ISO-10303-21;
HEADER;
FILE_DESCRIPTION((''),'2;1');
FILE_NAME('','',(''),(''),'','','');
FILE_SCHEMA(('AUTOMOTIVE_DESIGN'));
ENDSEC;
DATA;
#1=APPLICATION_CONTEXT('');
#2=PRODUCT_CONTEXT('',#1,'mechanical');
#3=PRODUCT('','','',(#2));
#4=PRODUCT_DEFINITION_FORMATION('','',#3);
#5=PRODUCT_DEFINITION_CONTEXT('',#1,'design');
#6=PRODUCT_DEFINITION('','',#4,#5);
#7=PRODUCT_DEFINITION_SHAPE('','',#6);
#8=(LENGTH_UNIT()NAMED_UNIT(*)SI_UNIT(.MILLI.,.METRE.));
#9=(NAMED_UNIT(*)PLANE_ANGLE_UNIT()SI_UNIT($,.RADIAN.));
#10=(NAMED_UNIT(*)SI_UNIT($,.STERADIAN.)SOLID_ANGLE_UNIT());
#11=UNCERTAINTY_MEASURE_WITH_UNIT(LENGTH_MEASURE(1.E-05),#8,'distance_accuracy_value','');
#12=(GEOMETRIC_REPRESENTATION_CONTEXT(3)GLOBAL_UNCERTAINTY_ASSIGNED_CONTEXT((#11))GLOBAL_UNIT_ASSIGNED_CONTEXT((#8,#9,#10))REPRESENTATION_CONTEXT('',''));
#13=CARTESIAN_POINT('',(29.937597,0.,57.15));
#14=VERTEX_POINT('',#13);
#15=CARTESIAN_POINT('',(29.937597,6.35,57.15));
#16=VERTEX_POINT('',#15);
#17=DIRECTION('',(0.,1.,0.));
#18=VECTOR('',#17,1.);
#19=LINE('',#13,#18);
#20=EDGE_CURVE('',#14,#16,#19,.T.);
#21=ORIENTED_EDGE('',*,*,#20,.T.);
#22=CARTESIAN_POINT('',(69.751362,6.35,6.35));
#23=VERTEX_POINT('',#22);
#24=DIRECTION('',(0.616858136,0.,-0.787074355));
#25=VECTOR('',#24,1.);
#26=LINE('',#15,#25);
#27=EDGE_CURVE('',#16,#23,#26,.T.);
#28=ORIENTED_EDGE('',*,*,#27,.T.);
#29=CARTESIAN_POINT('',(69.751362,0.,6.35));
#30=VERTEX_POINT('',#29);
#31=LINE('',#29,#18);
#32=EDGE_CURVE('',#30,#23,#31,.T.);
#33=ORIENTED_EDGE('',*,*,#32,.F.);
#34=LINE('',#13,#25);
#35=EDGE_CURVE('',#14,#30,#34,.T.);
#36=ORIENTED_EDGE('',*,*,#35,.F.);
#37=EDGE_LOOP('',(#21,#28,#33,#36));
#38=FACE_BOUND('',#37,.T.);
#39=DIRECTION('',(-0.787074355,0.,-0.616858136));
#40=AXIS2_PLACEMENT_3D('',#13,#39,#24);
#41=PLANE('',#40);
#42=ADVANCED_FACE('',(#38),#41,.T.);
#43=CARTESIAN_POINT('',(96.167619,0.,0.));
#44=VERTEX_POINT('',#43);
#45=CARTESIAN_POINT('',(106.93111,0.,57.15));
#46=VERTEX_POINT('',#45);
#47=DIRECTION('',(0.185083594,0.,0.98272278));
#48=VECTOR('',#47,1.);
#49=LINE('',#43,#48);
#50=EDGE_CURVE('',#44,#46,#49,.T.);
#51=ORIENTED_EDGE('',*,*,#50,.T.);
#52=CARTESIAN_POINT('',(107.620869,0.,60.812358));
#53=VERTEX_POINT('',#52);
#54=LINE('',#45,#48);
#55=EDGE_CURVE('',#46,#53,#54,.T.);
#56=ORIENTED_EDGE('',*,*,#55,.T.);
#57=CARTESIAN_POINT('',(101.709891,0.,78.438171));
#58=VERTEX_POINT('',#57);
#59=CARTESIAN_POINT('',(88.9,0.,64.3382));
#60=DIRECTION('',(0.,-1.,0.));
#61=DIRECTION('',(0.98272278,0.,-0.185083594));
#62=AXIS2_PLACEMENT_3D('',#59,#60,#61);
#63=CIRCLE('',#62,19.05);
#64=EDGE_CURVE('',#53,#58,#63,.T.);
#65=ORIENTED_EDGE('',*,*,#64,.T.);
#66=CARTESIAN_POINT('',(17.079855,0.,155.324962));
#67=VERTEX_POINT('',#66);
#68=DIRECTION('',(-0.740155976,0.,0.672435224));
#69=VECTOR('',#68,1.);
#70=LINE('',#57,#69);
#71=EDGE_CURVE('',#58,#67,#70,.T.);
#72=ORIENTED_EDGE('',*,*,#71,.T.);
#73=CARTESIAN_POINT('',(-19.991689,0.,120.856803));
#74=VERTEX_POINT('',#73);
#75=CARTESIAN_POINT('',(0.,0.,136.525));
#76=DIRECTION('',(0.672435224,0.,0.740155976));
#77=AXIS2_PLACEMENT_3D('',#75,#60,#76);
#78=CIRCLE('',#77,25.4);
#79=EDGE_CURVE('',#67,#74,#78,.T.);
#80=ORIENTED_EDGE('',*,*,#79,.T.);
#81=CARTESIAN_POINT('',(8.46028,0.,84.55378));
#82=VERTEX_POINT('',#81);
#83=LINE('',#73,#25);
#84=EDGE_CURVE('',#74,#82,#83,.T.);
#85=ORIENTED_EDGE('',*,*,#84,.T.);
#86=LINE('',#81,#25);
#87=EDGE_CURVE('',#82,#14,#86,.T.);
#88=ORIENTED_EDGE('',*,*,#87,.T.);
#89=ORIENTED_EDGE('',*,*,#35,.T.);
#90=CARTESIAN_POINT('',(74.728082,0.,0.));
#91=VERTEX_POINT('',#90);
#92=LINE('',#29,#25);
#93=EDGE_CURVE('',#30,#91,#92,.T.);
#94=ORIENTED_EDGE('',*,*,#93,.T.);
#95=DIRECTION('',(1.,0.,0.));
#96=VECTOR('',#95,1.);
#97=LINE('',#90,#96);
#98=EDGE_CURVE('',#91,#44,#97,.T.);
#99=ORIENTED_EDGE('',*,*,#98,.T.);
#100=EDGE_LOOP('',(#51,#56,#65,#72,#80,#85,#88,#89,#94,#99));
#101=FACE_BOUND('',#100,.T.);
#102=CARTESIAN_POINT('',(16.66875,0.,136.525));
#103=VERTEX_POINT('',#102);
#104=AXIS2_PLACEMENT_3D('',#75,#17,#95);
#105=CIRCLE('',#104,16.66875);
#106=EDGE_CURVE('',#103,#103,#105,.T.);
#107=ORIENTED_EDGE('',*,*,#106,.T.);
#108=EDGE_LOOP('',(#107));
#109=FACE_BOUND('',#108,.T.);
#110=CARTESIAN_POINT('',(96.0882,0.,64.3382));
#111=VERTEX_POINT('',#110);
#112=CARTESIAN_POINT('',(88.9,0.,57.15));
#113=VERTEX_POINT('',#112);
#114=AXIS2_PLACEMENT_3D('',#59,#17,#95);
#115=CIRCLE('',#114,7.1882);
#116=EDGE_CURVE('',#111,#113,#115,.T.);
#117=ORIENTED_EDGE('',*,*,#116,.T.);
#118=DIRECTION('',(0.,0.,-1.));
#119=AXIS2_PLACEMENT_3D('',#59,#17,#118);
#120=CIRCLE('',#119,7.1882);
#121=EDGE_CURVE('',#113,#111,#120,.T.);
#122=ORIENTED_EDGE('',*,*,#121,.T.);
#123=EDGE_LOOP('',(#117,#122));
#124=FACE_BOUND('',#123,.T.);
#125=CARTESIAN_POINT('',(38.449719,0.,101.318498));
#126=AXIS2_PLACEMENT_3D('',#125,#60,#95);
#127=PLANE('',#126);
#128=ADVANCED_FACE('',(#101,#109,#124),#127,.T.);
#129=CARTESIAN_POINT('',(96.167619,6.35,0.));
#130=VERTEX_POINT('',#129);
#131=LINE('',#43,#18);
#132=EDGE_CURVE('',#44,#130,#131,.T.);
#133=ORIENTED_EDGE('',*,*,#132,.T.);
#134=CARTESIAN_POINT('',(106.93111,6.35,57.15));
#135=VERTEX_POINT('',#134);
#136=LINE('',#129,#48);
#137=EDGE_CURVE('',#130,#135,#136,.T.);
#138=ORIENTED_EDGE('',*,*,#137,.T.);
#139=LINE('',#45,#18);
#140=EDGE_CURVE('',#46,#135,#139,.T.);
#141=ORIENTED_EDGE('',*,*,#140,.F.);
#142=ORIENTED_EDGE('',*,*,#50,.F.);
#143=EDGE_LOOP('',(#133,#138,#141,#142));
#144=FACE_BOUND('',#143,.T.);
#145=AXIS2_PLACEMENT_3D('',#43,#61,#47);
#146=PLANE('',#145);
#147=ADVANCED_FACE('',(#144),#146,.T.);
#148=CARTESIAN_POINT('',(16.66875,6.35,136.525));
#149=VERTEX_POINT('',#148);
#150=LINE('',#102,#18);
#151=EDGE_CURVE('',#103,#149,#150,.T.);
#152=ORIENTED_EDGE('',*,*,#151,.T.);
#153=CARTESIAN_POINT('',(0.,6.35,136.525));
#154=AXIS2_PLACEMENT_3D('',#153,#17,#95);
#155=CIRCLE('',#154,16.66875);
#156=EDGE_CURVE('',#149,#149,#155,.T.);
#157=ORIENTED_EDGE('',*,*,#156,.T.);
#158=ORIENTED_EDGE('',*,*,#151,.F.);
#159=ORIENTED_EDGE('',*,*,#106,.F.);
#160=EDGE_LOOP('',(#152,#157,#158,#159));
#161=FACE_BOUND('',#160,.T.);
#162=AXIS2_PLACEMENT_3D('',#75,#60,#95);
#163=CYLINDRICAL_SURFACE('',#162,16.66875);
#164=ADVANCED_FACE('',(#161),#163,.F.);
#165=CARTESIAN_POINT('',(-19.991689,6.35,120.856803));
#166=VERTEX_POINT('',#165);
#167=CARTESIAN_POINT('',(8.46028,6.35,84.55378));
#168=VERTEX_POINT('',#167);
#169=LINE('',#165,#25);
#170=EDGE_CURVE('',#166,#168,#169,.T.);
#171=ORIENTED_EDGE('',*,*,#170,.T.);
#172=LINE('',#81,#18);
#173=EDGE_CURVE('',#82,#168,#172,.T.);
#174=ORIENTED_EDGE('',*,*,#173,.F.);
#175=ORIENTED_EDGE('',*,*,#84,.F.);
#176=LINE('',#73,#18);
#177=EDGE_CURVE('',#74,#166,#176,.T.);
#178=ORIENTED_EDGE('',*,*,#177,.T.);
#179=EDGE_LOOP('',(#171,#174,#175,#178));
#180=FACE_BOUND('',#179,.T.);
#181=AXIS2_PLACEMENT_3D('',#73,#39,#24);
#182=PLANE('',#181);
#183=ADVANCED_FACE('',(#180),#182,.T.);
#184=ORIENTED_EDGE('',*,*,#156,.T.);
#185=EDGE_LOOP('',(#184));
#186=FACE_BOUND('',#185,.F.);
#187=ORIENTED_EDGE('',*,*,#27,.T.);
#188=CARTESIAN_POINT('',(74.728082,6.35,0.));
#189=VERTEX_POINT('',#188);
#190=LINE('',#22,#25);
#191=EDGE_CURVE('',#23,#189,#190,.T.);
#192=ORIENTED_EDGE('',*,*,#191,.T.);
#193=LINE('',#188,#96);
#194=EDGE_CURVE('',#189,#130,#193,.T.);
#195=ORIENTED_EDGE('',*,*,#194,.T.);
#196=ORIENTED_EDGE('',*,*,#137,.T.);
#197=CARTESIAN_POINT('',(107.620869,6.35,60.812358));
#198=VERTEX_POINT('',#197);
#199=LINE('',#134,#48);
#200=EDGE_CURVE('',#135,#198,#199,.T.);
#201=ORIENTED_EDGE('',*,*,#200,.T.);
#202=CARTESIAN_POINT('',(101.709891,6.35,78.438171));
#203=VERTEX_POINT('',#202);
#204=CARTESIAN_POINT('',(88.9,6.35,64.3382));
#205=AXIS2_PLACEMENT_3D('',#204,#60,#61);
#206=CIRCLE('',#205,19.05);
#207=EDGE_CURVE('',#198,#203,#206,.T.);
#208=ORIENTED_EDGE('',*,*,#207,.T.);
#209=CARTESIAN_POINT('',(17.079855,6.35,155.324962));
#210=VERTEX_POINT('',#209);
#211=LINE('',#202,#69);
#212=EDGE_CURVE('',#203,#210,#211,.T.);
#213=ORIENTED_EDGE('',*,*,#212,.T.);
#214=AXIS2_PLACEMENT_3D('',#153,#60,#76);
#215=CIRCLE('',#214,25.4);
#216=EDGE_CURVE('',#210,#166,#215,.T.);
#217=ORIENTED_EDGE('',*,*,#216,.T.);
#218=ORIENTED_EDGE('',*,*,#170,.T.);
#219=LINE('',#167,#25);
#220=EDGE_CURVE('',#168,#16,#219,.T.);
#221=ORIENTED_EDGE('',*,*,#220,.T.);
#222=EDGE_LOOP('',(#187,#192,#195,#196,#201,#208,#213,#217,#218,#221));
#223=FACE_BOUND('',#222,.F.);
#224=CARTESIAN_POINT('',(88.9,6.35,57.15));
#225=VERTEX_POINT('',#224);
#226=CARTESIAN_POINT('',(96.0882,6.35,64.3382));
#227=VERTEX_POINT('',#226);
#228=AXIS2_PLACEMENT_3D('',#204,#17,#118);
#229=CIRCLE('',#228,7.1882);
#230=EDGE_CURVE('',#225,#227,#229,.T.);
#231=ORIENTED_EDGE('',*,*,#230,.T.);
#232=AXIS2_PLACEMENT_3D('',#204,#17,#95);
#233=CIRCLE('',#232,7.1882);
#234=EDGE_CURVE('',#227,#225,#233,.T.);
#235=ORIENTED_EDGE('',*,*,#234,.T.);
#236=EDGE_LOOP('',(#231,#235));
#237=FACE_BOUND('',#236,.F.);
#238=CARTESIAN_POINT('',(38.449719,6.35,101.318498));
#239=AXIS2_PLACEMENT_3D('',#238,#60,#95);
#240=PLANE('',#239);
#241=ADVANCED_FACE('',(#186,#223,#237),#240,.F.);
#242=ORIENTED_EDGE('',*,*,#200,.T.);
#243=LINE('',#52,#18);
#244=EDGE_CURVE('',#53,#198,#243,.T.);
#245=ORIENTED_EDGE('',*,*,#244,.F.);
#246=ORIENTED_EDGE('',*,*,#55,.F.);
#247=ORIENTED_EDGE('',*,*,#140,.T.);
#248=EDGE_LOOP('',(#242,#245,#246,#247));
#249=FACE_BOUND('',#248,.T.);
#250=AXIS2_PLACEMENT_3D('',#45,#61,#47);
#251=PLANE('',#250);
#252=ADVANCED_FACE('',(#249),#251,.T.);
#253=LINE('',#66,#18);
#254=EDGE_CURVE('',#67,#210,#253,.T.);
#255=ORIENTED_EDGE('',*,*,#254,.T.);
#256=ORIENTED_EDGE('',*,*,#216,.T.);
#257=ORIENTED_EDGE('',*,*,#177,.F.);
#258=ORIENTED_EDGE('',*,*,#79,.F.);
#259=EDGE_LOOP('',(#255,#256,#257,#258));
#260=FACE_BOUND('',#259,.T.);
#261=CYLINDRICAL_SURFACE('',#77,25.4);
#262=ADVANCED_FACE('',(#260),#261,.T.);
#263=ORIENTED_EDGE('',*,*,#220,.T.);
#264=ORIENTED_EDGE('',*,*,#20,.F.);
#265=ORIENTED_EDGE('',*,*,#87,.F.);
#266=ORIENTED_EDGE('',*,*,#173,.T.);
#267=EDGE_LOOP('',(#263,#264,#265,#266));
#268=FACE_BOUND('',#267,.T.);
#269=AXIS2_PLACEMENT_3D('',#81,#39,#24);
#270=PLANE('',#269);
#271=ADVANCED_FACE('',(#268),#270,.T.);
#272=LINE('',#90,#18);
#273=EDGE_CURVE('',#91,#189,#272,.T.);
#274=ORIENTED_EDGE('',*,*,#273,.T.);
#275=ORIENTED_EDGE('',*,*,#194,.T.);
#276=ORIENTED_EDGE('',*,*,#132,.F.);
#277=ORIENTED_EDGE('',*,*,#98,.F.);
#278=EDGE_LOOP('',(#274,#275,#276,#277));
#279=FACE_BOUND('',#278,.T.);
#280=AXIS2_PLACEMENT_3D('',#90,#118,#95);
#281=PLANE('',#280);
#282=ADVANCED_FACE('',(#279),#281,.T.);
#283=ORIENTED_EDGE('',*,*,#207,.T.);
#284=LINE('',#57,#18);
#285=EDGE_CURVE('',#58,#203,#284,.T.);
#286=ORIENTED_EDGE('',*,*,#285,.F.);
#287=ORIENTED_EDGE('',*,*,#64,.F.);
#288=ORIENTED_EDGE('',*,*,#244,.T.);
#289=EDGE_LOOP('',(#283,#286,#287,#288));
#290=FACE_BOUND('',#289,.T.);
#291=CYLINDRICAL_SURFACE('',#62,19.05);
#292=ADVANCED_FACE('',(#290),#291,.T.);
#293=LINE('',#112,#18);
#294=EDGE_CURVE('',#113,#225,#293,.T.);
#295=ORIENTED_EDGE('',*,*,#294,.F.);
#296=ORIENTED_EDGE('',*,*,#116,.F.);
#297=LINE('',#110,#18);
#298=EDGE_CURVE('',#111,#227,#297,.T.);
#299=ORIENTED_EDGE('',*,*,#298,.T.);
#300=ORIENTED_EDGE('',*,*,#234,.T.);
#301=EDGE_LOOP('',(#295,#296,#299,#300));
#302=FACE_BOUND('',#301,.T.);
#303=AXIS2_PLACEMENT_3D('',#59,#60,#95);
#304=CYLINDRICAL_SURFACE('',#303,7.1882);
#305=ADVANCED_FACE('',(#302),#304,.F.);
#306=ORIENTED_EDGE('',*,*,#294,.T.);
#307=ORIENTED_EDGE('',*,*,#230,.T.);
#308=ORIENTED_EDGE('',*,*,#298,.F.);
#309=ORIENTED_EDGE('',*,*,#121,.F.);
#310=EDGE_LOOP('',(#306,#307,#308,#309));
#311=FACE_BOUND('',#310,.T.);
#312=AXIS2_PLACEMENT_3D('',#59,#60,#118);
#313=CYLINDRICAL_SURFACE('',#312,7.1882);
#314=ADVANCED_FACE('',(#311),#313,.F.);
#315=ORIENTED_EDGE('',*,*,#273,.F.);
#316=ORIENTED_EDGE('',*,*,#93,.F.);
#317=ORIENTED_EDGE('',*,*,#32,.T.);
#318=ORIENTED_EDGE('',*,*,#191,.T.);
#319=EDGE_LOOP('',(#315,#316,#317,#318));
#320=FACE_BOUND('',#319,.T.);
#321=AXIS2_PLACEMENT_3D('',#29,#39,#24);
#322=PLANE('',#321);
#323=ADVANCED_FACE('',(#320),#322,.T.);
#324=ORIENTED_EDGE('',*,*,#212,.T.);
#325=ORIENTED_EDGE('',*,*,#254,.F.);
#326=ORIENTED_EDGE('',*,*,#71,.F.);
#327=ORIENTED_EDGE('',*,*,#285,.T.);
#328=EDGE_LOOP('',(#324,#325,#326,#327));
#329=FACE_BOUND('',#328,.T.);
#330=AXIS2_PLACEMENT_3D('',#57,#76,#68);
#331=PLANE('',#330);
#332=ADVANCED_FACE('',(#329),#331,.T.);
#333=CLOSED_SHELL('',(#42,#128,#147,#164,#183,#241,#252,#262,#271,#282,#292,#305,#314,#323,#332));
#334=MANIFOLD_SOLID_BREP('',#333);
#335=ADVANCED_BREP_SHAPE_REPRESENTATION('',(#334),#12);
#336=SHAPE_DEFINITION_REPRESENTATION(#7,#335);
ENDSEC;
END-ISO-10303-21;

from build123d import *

# Parameters (mm, degrees)
F1_DEPTH = 6.35


with BuildPart() as f1:
    # F0 (on Front) → F1 (new body)
    with BuildSketch(Plane.XZ):
        with BuildLine():
            Line((-19.991688611, 120.856803343), (8.4602804552, 84.5537801941))
            Line((8.4602804552, 84.5537801941), (29.9375966329, 57.15))
            Line((29.9375966329, 57.15), (88.9, 57.15))
            Line((88.9, 57.15), (106.9311095469, 57.15))
            Line((106.9311095469, 57.15), (107.6208689669, 60.8123575297))
            ThreePointArc((107.6208689669, 60.8123575297), (106.961410093, 70.3952591423), (101.7098910209, 78.4381713487))
            Line((101.7098910209, 78.4381713487), (17.0798546945, 155.3249617983))
            ThreePointArc((17.0798546945, 155.3249617983), (-17.2954670655, 155.1267961226), (-19.991688611, 120.856803343))
        make_face()
        with BuildLine():
            ThreePointArc((96.0882, 64.3382), (93.9828249645, 59.2553750355), (88.9, 57.15))
            ThreePointArc((88.9, 57.15), (83.8171750355, 69.4210249645), (96.0882, 64.3382))
        make_face(mode=Mode.SUBTRACT)
        with BuildLine():
            ThreePointArc((0, 119.85625), (-11.7865861589, 148.3115861589), (16.66875, 136.525))
            ThreePointArc((16.66875, 136.525), (11.7865861589, 124.7384138411), (0, 119.85625))
        make_face(mode=Mode.SUBTRACT)
        Polygon((88.9, 57.15), (29.9375966329, 57.15), (69.751361526, 6.35), (82.55, 6.35), (96.1676189452, 0), (106.9311095469, 57.15), align=None)
        Polygon((82.55, 6.35), (69.751361526, 6.35), (74.7280821376, 0), (96.1676189452, 0), align=None)
    extrude(amount=-F1_DEPTH)


solid = f1.part
